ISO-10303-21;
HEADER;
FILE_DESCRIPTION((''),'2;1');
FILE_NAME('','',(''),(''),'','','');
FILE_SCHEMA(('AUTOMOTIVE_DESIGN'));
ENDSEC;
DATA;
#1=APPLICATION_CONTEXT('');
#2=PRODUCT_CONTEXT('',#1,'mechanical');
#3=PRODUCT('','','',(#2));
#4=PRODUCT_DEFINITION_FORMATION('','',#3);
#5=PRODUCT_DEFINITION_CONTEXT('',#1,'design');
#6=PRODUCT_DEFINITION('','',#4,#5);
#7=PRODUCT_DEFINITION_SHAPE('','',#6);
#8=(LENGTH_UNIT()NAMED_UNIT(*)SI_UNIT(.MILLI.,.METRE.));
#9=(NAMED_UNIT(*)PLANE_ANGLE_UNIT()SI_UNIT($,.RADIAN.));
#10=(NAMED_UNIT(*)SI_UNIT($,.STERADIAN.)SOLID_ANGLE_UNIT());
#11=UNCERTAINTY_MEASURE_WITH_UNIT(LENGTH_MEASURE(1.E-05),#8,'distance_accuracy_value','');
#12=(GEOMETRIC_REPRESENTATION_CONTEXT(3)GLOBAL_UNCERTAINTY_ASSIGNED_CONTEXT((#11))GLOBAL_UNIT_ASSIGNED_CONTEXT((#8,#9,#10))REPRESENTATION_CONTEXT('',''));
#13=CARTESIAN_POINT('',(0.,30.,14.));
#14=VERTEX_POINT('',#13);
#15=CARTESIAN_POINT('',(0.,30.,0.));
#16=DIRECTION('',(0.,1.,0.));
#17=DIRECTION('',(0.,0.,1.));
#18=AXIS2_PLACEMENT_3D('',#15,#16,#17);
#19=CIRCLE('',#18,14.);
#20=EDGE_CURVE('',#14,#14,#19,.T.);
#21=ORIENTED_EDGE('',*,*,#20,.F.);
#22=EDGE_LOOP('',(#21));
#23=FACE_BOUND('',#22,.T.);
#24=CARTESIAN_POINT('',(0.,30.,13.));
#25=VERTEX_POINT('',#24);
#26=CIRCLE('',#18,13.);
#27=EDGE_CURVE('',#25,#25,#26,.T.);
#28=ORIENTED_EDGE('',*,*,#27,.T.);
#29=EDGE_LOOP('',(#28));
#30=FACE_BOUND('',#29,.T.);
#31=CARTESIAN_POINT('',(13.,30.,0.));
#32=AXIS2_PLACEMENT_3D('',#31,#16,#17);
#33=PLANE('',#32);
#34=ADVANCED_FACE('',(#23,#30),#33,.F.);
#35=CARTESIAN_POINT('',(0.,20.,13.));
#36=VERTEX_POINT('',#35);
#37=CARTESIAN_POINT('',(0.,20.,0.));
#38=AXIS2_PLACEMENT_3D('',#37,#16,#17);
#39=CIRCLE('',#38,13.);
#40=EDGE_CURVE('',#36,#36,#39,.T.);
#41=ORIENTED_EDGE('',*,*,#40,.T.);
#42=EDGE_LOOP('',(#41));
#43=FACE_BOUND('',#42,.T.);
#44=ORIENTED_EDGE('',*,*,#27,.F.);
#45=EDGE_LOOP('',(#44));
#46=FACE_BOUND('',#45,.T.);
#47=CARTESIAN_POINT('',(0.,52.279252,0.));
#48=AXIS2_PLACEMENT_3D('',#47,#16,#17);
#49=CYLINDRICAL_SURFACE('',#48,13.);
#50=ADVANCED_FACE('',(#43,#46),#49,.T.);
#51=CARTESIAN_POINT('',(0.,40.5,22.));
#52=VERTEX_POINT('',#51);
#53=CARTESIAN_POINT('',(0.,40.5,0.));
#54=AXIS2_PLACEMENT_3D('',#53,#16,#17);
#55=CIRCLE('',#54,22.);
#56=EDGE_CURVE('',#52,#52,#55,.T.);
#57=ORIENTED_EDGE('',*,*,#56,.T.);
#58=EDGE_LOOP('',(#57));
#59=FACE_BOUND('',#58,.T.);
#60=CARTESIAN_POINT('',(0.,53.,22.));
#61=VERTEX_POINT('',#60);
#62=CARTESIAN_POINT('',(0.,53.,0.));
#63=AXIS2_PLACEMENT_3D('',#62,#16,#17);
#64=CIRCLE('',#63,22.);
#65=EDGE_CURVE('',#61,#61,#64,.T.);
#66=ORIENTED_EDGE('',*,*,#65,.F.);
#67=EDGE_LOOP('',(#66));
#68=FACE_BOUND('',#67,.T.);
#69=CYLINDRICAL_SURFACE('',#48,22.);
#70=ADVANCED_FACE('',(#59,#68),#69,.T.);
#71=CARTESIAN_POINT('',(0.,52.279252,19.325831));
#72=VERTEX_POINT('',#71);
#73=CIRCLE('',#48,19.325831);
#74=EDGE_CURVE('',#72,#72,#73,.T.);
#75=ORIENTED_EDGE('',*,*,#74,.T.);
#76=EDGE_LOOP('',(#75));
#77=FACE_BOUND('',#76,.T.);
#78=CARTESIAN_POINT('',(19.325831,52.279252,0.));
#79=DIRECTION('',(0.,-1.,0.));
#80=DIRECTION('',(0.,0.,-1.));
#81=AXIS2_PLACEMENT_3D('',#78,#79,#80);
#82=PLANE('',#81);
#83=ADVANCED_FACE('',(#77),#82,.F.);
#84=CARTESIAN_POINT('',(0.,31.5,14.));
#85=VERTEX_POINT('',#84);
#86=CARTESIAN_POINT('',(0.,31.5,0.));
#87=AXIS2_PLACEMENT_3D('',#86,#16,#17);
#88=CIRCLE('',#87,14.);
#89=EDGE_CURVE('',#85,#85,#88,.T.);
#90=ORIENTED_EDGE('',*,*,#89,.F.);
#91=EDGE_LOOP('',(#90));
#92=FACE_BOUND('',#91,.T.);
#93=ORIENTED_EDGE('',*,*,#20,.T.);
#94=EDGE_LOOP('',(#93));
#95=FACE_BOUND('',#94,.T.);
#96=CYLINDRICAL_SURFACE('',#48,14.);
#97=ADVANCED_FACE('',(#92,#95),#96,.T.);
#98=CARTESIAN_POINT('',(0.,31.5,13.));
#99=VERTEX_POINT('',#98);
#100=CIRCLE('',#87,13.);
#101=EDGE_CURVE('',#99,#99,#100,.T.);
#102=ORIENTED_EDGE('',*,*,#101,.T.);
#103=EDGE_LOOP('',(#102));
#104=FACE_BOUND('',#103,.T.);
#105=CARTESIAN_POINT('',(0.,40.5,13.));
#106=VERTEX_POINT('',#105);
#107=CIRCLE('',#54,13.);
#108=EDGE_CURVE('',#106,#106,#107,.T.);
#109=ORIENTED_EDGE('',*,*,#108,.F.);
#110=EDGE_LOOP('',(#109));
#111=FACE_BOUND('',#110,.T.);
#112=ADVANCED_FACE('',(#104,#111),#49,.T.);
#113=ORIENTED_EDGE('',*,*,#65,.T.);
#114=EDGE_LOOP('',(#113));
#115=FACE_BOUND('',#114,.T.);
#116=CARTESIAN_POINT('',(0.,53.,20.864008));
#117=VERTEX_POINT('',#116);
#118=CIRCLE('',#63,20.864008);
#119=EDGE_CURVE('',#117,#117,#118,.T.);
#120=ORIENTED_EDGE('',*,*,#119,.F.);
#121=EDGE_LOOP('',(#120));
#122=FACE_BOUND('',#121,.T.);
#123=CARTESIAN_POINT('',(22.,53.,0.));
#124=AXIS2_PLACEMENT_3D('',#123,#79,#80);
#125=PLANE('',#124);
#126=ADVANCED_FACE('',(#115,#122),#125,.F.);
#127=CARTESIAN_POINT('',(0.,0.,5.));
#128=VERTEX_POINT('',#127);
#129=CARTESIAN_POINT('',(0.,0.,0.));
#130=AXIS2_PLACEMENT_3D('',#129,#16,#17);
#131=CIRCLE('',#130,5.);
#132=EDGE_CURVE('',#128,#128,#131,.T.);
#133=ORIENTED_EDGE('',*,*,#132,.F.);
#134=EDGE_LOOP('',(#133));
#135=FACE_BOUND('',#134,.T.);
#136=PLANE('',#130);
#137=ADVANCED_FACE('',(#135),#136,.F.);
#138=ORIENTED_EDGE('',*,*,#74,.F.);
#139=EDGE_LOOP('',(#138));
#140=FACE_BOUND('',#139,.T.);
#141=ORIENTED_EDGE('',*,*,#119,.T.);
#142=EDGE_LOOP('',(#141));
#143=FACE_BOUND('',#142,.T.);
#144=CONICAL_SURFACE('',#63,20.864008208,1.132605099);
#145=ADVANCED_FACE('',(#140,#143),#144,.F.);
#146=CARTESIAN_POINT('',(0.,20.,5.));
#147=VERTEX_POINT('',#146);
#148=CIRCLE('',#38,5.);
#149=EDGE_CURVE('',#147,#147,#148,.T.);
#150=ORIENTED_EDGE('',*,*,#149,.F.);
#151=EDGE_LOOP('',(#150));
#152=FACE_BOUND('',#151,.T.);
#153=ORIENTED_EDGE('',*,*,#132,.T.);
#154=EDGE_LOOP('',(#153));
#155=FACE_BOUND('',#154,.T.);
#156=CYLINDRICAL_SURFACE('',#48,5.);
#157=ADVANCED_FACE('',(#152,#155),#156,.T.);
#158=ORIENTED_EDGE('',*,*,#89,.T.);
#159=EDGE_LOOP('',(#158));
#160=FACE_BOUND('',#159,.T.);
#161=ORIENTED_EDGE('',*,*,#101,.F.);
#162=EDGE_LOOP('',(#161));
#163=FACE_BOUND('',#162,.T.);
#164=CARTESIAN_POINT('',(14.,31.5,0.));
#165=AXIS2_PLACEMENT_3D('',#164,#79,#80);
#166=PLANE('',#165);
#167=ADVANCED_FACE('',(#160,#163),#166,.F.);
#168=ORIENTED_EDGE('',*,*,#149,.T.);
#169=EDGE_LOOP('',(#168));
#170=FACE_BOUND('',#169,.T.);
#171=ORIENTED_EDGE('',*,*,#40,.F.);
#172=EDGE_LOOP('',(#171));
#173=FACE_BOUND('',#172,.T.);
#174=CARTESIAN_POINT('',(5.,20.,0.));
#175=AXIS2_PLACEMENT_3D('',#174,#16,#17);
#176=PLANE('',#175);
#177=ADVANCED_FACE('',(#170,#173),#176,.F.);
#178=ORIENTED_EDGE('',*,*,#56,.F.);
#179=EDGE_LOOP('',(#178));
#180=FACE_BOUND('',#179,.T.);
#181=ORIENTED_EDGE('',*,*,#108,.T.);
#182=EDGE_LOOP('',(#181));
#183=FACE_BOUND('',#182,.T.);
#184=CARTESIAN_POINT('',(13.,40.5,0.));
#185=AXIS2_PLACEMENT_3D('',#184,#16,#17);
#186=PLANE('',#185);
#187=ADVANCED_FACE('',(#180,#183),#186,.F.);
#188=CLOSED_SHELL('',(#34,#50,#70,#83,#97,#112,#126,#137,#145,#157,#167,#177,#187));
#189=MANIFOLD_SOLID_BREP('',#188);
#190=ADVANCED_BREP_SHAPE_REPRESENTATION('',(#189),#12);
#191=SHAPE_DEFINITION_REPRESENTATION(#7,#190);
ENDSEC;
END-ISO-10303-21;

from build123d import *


with BuildPart() as part:
    # Sketch1 → Revolve1 (revolve)
    with BuildSketch(Plane.XY, mode=Mode.PRIVATE) as revolve1_sk:
        Polygon((0, 0), (5, 0), (5, 20), (13, 20), (13, 30), (14, 30), (14, 31.5), (13, 31.5), (13, 40.5), (22, 40.5), (22, 53), (20.864008208, 53), (19.325830603, 52.279251895), (0, 52.279251895), align=None)
    revolve(revolve1_sk.sketch.rotate(Axis((0, 52.279251895, 0), (0, -1, 0)), 90), axis=Axis((0, 52.279251895, 0), (0, -1, 0)))


solid = part.part
